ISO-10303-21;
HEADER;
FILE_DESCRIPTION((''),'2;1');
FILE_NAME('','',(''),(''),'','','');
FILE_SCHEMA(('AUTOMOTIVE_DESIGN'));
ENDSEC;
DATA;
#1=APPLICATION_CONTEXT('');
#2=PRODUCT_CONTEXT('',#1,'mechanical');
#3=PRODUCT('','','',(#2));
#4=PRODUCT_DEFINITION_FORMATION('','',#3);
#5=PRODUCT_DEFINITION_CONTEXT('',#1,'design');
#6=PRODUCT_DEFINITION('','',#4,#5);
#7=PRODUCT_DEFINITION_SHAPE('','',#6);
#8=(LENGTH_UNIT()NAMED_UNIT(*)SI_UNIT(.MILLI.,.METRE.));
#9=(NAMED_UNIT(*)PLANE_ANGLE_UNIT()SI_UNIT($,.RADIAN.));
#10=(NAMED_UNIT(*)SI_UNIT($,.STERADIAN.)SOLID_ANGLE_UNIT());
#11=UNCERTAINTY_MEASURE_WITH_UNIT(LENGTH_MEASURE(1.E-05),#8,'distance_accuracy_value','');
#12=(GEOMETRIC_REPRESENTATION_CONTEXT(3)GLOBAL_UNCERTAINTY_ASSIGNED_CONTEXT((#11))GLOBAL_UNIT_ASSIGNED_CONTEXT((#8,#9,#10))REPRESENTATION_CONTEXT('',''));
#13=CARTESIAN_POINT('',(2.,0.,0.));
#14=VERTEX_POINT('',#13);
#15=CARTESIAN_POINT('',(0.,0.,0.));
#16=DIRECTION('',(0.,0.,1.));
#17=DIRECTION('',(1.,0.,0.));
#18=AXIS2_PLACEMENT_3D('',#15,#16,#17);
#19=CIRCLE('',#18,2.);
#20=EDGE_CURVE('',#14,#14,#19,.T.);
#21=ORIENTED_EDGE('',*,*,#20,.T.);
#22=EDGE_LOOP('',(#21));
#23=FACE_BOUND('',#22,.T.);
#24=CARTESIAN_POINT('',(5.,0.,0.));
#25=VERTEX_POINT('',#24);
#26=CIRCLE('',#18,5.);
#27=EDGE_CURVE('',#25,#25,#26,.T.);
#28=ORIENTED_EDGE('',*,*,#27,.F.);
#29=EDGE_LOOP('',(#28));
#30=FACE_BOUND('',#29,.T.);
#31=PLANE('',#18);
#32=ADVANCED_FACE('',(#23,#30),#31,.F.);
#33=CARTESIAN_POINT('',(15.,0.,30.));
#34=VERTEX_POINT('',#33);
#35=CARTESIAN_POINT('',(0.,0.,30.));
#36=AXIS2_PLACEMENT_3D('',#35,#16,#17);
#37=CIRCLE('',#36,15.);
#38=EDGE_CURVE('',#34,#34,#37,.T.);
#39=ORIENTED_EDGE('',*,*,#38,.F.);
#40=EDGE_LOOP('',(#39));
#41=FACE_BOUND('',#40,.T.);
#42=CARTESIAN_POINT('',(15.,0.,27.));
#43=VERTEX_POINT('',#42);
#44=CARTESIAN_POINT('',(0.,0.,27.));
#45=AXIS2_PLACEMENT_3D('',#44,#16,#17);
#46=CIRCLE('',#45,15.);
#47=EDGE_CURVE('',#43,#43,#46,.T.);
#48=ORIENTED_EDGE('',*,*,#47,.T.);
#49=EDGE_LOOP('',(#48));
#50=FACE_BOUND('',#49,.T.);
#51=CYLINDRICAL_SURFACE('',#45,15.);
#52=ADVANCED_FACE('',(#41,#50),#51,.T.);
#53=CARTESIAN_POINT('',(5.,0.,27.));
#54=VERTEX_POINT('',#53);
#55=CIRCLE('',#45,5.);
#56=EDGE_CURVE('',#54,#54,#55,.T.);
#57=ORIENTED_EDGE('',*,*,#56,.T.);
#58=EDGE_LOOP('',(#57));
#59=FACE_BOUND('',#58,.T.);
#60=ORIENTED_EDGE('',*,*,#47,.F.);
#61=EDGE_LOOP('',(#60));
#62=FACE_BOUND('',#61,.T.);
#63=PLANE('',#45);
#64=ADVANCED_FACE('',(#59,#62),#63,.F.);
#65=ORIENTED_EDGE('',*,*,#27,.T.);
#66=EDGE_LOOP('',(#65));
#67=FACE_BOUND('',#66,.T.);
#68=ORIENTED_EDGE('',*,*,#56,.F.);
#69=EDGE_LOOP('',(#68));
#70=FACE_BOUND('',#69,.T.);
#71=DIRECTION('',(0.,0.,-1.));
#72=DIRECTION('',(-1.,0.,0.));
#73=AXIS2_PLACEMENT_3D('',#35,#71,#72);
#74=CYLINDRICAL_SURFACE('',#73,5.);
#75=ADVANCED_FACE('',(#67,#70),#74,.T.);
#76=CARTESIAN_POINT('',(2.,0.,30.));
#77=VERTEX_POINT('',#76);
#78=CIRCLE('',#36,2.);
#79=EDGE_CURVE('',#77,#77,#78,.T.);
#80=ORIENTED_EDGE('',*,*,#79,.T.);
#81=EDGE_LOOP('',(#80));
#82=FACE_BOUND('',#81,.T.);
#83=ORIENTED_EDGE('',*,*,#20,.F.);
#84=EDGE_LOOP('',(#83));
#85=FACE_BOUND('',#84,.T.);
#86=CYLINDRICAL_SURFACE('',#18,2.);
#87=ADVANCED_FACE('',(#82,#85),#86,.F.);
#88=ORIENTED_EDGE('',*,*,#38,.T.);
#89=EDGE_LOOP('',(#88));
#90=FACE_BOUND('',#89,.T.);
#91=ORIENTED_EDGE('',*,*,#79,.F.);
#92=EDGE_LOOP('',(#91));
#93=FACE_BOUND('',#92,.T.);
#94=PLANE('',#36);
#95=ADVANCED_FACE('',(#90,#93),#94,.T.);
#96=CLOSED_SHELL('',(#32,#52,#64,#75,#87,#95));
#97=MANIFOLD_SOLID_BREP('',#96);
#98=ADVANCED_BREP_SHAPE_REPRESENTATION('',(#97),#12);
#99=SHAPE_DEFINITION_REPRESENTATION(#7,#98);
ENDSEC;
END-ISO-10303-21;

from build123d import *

# Parameters (mm, degrees)
SKETCH1_R           = 5
BOSS_EXTRUDE1_DEPTH = 30
SKETCH2_R           = 2
CUT_EXTRUDE1_DEPTH  = 31
SKETCH4_R           = 15
SKETCH4_R_2         = 5
BOSS_EXTRUDE3_DEPTH = 3


with BuildPart() as part:
    # Sketch1 → Boss-Extrude1 (new body)
    with BuildSketch(Plane.XY):
        Circle(SKETCH1_R)
    extrude(amount=BOSS_EXTRUDE1_DEPTH)

    # Sketch2 → Cut-Extrude1 (cut, through all)
    with BuildSketch(Plane.XY.offset(30)):
        Circle(SKETCH2_R)
    extrude(amount=-CUT_EXTRUDE1_DEPTH, mode=Mode.SUBTRACT)

    # Sketch4 → Boss-Extrude3 (add)
    with BuildSketch(Plane.XY.offset(30)):
        Circle(SKETCH4_R)
        Circle(SKETCH4_R_2, mode=Mode.SUBTRACT)
    extrude(amount=-BOSS_EXTRUDE3_DEPTH)


solid = part.part
